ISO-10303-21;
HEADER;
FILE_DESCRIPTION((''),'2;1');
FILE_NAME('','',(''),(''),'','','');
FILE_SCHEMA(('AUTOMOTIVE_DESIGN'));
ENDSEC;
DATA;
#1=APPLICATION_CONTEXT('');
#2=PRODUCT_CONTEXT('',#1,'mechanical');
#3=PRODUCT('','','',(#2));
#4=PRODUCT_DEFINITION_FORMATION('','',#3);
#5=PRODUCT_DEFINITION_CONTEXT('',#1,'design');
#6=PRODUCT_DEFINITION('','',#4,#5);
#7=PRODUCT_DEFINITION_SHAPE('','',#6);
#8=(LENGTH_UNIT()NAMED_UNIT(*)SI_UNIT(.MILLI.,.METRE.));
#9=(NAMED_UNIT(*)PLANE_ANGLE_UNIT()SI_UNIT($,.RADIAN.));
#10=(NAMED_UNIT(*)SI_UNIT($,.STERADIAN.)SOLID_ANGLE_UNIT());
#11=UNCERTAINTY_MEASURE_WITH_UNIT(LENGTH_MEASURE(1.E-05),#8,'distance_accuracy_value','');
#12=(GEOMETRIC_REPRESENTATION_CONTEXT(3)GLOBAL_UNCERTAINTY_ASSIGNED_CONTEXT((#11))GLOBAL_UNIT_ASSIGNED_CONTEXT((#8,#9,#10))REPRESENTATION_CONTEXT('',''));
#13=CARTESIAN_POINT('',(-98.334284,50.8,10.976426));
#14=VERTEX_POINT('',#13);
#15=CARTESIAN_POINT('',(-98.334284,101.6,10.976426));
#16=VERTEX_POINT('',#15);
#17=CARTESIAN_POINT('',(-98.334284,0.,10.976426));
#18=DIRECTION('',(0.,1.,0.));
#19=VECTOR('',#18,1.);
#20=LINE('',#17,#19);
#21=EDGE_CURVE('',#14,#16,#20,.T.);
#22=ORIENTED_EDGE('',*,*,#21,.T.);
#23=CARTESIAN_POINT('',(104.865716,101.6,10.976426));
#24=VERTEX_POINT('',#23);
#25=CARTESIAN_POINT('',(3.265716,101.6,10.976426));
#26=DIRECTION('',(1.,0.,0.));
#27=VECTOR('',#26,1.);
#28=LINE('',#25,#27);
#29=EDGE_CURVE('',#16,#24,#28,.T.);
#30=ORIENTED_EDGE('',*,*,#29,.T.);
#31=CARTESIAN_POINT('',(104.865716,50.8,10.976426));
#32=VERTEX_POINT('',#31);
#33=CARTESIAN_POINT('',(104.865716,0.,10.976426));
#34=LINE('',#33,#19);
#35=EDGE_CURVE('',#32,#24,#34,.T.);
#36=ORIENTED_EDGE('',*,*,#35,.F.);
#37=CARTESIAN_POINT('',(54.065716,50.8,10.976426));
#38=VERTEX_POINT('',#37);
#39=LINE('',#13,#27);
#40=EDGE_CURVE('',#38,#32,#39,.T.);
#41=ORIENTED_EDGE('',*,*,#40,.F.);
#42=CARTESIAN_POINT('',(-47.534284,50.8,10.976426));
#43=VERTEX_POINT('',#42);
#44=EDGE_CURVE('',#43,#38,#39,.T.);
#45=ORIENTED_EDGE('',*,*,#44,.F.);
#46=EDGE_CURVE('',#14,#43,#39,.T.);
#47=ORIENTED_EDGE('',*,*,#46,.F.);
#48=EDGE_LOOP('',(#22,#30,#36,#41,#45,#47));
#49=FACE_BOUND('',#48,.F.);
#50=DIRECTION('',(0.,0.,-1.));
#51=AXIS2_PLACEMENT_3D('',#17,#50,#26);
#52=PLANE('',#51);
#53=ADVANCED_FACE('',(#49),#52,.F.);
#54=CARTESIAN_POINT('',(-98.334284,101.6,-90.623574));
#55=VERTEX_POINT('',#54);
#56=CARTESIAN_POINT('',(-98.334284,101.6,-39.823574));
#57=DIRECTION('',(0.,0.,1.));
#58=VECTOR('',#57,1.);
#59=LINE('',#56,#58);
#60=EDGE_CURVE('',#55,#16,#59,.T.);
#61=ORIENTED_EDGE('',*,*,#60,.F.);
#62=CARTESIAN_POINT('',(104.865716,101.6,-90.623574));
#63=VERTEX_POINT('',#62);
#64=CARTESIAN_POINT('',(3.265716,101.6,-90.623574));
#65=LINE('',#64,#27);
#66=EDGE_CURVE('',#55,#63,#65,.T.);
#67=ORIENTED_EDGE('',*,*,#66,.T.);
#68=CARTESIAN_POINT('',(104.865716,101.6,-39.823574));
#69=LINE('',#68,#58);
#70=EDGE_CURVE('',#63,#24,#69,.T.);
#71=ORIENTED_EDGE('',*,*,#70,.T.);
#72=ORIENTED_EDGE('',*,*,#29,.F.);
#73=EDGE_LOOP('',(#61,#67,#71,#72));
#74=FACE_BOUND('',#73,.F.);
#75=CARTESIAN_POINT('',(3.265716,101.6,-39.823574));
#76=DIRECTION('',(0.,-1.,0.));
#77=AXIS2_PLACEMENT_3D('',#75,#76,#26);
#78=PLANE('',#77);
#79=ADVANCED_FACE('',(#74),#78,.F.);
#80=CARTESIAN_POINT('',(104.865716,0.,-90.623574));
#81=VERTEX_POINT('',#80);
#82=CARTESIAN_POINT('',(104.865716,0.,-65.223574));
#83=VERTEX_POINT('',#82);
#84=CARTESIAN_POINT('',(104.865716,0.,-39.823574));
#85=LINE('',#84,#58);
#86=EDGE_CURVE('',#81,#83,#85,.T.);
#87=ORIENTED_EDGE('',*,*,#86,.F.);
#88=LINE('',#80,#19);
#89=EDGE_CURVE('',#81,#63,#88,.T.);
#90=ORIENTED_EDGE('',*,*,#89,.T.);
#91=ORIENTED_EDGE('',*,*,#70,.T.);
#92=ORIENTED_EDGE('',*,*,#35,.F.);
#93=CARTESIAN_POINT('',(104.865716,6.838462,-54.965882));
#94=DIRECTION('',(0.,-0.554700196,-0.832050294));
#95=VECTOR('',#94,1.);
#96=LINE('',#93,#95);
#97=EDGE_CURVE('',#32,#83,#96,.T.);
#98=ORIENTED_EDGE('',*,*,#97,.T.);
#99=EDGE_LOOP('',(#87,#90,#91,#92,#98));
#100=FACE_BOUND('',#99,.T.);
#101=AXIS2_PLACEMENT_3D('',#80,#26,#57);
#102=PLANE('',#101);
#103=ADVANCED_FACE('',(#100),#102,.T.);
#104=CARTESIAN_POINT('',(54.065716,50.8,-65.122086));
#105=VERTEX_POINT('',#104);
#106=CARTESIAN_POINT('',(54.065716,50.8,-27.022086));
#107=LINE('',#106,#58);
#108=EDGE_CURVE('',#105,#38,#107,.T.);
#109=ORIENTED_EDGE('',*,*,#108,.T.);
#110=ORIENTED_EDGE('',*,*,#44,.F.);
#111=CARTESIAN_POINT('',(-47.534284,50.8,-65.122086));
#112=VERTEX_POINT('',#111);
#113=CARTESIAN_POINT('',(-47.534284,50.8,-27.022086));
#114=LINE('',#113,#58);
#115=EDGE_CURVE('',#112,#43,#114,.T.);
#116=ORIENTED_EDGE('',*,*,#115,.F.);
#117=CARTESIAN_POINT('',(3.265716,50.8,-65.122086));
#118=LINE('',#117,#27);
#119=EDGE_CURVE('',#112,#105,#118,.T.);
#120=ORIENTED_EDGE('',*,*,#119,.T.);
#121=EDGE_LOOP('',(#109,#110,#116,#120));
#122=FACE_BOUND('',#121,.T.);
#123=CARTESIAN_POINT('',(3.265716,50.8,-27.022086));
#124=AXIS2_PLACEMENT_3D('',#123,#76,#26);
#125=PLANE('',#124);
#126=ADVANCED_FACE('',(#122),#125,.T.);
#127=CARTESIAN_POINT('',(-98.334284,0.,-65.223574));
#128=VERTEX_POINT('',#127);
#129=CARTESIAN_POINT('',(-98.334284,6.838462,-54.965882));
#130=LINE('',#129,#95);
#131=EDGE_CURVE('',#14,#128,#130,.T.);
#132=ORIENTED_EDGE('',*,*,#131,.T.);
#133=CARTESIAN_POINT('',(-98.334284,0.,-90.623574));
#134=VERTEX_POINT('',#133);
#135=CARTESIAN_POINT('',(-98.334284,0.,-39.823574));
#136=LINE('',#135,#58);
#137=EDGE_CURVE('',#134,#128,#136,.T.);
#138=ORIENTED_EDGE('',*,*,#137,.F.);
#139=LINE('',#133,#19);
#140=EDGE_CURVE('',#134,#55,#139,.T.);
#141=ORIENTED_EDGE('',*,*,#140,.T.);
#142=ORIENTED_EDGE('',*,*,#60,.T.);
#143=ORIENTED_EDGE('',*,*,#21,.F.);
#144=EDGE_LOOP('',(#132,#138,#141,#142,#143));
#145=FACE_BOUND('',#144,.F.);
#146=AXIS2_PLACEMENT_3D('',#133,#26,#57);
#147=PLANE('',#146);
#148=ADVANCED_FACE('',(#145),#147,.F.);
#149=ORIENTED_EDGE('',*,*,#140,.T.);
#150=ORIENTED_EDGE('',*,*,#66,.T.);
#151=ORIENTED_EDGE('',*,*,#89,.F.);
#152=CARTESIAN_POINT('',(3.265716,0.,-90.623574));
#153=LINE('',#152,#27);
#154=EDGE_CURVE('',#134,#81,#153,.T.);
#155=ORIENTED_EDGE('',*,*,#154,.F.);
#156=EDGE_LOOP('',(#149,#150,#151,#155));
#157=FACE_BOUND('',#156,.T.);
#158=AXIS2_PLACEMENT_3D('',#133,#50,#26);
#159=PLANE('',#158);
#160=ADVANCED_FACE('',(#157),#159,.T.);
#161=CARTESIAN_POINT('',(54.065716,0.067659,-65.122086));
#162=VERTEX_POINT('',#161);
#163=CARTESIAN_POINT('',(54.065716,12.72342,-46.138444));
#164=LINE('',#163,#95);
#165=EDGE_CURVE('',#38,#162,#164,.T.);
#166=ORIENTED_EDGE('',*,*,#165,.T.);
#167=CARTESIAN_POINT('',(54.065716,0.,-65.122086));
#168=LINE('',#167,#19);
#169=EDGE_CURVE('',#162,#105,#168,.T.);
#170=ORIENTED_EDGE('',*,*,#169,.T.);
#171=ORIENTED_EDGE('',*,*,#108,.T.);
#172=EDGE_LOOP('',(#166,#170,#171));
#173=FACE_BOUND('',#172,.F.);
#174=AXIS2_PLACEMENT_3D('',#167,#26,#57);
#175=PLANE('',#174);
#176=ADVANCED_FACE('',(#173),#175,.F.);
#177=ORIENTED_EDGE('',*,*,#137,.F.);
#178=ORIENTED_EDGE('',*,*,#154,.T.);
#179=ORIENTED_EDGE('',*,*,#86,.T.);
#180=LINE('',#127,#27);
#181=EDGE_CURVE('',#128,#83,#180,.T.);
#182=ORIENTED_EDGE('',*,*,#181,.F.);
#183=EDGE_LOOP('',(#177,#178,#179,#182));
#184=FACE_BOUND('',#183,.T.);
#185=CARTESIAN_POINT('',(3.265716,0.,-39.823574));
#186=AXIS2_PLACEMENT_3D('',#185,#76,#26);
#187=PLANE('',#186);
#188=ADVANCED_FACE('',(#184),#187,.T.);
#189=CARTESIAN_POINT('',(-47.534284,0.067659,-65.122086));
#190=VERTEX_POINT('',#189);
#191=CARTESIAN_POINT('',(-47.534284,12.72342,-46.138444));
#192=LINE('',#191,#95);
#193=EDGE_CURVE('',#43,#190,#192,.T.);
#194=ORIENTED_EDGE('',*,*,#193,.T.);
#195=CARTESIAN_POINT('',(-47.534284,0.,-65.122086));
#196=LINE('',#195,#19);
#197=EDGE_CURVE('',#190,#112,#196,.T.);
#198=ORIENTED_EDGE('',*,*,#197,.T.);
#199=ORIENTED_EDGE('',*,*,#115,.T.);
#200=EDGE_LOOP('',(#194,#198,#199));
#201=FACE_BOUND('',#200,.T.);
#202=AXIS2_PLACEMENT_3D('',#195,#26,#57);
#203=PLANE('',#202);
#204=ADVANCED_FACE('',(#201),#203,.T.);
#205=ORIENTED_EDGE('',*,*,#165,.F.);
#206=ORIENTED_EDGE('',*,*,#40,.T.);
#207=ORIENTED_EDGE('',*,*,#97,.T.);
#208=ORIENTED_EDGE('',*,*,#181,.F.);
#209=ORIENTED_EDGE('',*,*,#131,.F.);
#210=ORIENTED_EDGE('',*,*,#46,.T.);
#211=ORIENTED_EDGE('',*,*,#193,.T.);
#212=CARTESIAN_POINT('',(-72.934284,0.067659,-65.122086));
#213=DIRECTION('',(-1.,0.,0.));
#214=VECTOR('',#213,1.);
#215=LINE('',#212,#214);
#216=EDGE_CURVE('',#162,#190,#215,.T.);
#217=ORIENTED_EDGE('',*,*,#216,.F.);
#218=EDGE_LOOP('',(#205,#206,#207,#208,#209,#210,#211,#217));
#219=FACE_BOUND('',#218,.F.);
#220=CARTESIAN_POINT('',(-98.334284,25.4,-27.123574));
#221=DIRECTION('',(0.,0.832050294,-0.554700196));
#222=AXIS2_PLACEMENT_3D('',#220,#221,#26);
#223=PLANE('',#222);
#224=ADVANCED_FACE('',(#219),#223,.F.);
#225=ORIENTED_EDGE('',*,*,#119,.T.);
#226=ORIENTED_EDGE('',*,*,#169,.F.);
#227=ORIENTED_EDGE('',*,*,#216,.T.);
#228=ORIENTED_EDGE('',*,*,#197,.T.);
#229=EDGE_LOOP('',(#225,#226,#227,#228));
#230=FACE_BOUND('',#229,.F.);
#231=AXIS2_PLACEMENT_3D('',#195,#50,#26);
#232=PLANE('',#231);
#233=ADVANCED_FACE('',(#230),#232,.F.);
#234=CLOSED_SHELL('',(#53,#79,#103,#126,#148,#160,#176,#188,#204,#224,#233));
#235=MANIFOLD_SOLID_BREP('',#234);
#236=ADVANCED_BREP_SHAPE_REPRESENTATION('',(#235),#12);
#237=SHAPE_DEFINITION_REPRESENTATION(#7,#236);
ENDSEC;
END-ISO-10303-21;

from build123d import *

# Parameters (mm, degrees)
F0_W     = 203.2
F0_H     = 101.6
F1_DEPTH = 101.6
F2_SIZE2 = 76.2
F2_SIZE  = 50.8
F3_W     = 101.6
F3_H     = 76.2
F4_DEPTH = 50.8


with BuildPart() as f1:
    # F0 (on Front) → F1 (new body)
    with BuildSketch(Plane.XZ):
        with Locations((3.265716, -39.823574)):
            Rectangle(F0_W, F0_H)
    extrude(amount=-F1_DEPTH)

    # F2
    f2_edges = [f1.edges().sort_by_distance(p)[0] for p in [
        (3.265716, 0, 10.976426),
    ]]
    chamfer(f2_edges, length=F2_SIZE, length2=F2_SIZE2)

    # F3 (on Front) → F4 (cut)
    with BuildSketch(Plane.XZ):
        with Locations((3.265716, -27.022086)):
            Rectangle(F3_W, F3_H)
    extrude(amount=-F4_DEPTH, mode=Mode.SUBTRACT)


solid = f1.part
